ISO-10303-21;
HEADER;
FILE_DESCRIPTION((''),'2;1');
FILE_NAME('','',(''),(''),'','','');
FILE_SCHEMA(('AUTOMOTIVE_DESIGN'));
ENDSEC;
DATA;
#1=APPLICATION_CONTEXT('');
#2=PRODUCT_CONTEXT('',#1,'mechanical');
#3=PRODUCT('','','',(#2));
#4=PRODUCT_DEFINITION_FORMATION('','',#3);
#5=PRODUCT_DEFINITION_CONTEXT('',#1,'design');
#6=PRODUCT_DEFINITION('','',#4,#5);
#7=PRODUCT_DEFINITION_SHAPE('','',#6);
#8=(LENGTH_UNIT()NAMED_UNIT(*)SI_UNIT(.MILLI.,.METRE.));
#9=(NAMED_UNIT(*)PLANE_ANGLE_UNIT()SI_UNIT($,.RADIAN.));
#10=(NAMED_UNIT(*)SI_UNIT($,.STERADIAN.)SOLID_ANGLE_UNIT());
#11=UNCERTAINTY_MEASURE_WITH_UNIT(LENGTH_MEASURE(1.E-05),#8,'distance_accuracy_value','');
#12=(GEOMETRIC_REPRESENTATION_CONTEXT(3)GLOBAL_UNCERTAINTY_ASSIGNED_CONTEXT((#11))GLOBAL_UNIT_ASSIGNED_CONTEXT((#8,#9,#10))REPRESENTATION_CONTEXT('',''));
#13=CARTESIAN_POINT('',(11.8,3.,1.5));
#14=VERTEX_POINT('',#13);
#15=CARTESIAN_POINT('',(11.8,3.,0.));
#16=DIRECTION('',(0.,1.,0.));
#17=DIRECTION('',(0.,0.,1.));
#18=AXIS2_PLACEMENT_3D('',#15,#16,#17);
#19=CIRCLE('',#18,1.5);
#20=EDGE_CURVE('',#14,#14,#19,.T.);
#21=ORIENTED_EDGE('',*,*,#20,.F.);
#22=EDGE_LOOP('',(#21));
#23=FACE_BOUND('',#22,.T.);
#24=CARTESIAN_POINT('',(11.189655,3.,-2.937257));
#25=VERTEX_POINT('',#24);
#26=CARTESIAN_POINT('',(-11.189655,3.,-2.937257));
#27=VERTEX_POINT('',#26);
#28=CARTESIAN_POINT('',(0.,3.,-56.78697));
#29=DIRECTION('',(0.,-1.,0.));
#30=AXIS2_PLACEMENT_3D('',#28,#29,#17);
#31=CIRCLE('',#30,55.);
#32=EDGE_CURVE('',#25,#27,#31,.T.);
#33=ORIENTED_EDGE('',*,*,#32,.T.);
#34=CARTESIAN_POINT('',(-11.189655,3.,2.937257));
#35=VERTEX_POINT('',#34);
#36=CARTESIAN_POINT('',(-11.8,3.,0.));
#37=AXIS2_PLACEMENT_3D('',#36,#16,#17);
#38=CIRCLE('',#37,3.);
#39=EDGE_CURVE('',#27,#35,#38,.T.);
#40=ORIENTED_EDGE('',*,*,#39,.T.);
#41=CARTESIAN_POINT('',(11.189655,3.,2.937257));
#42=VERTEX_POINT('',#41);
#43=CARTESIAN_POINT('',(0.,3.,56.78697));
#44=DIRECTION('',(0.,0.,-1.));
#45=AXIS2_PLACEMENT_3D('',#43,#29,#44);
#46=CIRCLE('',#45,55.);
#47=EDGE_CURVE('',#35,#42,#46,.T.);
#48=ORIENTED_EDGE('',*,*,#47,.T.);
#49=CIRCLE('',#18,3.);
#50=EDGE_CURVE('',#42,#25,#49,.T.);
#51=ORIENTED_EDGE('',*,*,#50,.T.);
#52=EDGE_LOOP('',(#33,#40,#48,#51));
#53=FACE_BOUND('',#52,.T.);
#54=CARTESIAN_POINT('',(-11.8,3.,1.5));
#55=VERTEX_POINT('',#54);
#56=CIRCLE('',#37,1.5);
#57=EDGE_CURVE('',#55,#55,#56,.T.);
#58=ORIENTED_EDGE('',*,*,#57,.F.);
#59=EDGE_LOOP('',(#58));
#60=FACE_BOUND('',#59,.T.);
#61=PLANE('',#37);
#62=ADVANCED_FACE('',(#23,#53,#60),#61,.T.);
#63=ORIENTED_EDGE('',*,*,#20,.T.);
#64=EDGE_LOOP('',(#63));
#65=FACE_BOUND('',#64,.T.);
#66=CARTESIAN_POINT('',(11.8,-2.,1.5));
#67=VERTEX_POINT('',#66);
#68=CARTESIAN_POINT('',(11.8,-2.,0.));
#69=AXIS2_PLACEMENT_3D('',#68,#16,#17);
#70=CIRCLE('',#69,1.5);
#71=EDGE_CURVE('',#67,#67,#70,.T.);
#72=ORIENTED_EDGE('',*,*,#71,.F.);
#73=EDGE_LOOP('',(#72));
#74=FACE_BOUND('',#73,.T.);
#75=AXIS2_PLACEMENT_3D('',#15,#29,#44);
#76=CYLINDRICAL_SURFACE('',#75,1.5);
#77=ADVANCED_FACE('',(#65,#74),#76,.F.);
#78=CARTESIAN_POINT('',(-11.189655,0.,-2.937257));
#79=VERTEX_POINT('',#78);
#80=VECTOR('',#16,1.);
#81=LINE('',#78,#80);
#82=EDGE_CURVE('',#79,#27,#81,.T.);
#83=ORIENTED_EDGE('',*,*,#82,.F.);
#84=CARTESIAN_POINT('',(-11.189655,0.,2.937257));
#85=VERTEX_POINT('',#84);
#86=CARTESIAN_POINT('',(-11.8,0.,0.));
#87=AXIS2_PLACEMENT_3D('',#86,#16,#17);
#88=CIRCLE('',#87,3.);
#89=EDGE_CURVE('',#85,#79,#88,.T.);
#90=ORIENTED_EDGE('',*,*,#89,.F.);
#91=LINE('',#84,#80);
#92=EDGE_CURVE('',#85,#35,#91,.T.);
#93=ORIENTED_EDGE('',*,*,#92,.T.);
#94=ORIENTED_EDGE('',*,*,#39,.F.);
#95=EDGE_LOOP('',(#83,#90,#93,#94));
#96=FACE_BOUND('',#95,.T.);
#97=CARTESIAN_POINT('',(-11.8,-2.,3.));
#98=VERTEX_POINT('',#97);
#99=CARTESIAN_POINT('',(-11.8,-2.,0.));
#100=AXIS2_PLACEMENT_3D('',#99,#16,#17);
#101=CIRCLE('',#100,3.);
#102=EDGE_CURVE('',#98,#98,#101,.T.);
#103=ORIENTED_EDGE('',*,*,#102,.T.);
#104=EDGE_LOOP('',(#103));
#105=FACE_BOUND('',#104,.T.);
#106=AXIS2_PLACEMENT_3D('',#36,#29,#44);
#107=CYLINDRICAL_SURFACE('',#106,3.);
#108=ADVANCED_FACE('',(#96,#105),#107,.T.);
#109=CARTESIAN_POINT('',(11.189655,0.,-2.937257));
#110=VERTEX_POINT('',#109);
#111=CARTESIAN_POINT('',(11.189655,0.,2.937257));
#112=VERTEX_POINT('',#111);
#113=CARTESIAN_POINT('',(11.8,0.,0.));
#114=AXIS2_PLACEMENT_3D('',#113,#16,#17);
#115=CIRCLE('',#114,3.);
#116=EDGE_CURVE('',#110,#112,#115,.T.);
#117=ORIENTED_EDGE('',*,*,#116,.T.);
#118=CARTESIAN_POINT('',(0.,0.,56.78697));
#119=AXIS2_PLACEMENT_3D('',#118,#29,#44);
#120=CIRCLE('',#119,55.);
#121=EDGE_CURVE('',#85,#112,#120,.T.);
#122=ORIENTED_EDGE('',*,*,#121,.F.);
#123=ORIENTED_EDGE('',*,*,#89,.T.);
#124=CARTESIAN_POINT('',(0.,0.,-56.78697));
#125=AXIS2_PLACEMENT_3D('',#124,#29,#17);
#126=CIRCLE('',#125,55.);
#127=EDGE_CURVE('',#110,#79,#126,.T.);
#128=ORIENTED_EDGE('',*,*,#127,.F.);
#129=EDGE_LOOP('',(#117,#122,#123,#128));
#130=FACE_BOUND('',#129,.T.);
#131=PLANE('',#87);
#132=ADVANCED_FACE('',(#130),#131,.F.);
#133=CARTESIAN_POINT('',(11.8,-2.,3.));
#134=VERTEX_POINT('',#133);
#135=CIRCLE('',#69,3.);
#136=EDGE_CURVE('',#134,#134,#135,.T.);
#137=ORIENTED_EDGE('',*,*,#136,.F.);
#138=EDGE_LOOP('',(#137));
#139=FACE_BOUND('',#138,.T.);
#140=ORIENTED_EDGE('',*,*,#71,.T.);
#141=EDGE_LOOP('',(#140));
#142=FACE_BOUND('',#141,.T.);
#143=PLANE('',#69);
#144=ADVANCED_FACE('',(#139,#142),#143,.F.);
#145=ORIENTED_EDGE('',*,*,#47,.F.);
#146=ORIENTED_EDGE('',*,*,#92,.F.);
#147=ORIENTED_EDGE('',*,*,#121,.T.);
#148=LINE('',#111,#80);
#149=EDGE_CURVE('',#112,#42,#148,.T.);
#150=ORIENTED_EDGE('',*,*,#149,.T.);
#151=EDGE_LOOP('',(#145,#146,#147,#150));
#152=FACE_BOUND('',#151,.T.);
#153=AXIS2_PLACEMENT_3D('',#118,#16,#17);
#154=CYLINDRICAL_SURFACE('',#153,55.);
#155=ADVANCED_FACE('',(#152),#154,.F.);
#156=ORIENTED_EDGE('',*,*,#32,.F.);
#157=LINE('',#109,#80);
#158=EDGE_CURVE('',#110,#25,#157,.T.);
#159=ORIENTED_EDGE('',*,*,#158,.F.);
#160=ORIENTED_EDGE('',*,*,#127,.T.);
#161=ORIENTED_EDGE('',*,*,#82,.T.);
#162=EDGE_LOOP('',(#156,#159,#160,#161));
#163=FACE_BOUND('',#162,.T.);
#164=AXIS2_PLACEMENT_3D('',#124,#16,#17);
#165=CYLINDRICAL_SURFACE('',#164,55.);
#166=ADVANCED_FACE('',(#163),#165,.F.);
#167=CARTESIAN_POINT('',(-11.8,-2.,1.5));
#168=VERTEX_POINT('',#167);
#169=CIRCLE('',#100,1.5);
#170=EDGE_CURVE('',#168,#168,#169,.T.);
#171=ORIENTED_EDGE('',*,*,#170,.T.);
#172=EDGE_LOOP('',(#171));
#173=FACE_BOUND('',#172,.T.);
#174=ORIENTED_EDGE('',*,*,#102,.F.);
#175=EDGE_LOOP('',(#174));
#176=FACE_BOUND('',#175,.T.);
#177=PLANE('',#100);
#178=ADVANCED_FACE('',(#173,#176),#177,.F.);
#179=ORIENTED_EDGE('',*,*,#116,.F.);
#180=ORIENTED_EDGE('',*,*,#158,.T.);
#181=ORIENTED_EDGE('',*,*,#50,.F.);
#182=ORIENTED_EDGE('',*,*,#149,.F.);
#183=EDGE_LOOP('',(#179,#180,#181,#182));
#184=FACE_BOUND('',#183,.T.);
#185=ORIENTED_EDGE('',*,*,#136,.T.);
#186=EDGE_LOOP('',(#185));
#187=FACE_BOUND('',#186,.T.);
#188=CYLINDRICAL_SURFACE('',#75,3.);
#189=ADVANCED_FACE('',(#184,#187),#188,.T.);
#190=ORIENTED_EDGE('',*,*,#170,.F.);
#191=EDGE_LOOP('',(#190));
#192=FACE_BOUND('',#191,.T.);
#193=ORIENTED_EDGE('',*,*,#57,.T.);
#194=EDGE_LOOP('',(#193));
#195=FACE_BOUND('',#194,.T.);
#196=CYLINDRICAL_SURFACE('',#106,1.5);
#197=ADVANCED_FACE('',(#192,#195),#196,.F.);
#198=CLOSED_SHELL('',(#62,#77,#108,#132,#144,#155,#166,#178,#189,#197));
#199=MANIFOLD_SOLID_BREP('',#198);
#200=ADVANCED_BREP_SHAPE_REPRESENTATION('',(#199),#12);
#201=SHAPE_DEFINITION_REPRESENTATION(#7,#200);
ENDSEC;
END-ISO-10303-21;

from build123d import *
from build123d.topology import SkipClean

# Parameters (mm, degrees)
SKETCH1_R           = 1.5
BOSS_EXTRUDE1_DEPTH = 3
SKETCH2_OUTSIDE_W   = 37.67
SKETCH2_OUTSIDE_H   = 14.07
CUT_EXTRUDE1_DEPTH  = 16.396103403
BOSS_EXTRUDE2_START = -3
SKETCH3_R           = 1.5
BOSS_EXTRUDE2_DEPTH = 2


with BuildPart() as part:
    # Sketch1 → Boss-Extrude1 (new body)
    with BuildSketch(Plane(origin=(0, 0, 0), x_dir=(1, 0, 0), z_dir=(0, 1, 0))):
        with BuildLine():
            Line((-11.8, 3), (11.8, 3))
            ThreePointArc((11.8, 3), (14.8, 0), (11.8, -3))
            Line((11.8, -3), (-11.8, -3))
            ThreePointArc((-11.8, -3), (-14.8, 0), (-11.8, 3))
        make_face()
        with Locations(Location((-11.8, 0, 0), (0, 0, 270))):
            Circle(SKETCH1_R, mode=Mode.SUBTRACT)
        with Locations(Location((11.8, 0, 0), (0, 0, 270))):
            Circle(SKETCH1_R, mode=Mode.SUBTRACT)
    extrude(amount=BOSS_EXTRUDE1_DEPTH)

    # Sketch2 outside → Cut-Extrude1 (cut, through all)
    with SkipClean():  # the faces are left unmerged after this step: merging them gives an invalid solid
        with BuildSketch(Plane(origin=(0, 3, 0), x_dir=(1, 0, 0), z_dir=(0, 1, 0))):
            Rectangle(SKETCH2_OUTSIDE_W, SKETCH2_OUTSIDE_H)
            with BuildLine():
                ThreePointArc((-11.189655172, 2.937257086), (-14.8, 0), (-11.189655172, -2.937257086))
                ThreePointArc((-11.189655172, -2.937257086), (0, -1.786970337), (11.189655172, -2.937257086))
                ThreePointArc((11.189655172, -2.937257086), (14.8, 0), (11.189655172, 2.937257086))
                ThreePointArc((11.189655172, 2.937257086), (0, 1.786970337), (-11.189655172, 2.937257086))
            make_face(mode=Mode.SUBTRACT)
        extrude(amount=-CUT_EXTRUDE1_DEPTH, mode=Mode.SUBTRACT)

    # Sketch3 → Boss-Extrude2 (add)
    # profile 1 of 2: a face of its own
    with SkipClean():  # the faces are left unmerged after this step: merging them gives an invalid solid
        with BuildSketch(Plane(origin=(0, 3, 0), x_dir=(1, 0, 0), z_dir=(0, 1, 0)).offset(BOSS_EXTRUDE2_START)):
            with BuildLine():
                ThreePointArc((-11.189655172, -2.937257086), (-9.472873609, -1.893273028), (-8.8, 0))
                ThreePointArc((-8.8, 0), (-9.472873609, 1.893273028), (-11.189655172, 2.937257086))
                ThreePointArc((-11.189655172, 2.937257086), (-14.8, 0), (-11.189655172, -2.937257086))
            make_face()
            with Locations(Location((-11.8, 0, 0), (0, 0, 270))):
                Circle(SKETCH3_R, mode=Mode.SUBTRACT)
        # profile 2 of 2: a face of its own
        with BuildSketch(Plane(origin=(0, 3, 0), x_dir=(1, 0, 0), z_dir=(0, 1, 0)).offset(BOSS_EXTRUDE2_START)):
            with BuildLine():
                ThreePointArc((11.189655172, -2.937257086), (13.693273028, -2.327126391), (14.8, 0))
                ThreePointArc((14.8, 0), (13.693273028, 2.327126391), (11.189655172, 2.937257086))
                ThreePointArc((11.189655172, 2.937257086), (8.8, 0), (11.189655172, -2.937257086))
            make_face()
            with Locations(Location((11.8, 0, 0), (0, 0, 270))):
                Circle(SKETCH3_R, mode=Mode.SUBTRACT)
        extrude(amount=-BOSS_EXTRUDE2_DEPTH)


solid = part.part
